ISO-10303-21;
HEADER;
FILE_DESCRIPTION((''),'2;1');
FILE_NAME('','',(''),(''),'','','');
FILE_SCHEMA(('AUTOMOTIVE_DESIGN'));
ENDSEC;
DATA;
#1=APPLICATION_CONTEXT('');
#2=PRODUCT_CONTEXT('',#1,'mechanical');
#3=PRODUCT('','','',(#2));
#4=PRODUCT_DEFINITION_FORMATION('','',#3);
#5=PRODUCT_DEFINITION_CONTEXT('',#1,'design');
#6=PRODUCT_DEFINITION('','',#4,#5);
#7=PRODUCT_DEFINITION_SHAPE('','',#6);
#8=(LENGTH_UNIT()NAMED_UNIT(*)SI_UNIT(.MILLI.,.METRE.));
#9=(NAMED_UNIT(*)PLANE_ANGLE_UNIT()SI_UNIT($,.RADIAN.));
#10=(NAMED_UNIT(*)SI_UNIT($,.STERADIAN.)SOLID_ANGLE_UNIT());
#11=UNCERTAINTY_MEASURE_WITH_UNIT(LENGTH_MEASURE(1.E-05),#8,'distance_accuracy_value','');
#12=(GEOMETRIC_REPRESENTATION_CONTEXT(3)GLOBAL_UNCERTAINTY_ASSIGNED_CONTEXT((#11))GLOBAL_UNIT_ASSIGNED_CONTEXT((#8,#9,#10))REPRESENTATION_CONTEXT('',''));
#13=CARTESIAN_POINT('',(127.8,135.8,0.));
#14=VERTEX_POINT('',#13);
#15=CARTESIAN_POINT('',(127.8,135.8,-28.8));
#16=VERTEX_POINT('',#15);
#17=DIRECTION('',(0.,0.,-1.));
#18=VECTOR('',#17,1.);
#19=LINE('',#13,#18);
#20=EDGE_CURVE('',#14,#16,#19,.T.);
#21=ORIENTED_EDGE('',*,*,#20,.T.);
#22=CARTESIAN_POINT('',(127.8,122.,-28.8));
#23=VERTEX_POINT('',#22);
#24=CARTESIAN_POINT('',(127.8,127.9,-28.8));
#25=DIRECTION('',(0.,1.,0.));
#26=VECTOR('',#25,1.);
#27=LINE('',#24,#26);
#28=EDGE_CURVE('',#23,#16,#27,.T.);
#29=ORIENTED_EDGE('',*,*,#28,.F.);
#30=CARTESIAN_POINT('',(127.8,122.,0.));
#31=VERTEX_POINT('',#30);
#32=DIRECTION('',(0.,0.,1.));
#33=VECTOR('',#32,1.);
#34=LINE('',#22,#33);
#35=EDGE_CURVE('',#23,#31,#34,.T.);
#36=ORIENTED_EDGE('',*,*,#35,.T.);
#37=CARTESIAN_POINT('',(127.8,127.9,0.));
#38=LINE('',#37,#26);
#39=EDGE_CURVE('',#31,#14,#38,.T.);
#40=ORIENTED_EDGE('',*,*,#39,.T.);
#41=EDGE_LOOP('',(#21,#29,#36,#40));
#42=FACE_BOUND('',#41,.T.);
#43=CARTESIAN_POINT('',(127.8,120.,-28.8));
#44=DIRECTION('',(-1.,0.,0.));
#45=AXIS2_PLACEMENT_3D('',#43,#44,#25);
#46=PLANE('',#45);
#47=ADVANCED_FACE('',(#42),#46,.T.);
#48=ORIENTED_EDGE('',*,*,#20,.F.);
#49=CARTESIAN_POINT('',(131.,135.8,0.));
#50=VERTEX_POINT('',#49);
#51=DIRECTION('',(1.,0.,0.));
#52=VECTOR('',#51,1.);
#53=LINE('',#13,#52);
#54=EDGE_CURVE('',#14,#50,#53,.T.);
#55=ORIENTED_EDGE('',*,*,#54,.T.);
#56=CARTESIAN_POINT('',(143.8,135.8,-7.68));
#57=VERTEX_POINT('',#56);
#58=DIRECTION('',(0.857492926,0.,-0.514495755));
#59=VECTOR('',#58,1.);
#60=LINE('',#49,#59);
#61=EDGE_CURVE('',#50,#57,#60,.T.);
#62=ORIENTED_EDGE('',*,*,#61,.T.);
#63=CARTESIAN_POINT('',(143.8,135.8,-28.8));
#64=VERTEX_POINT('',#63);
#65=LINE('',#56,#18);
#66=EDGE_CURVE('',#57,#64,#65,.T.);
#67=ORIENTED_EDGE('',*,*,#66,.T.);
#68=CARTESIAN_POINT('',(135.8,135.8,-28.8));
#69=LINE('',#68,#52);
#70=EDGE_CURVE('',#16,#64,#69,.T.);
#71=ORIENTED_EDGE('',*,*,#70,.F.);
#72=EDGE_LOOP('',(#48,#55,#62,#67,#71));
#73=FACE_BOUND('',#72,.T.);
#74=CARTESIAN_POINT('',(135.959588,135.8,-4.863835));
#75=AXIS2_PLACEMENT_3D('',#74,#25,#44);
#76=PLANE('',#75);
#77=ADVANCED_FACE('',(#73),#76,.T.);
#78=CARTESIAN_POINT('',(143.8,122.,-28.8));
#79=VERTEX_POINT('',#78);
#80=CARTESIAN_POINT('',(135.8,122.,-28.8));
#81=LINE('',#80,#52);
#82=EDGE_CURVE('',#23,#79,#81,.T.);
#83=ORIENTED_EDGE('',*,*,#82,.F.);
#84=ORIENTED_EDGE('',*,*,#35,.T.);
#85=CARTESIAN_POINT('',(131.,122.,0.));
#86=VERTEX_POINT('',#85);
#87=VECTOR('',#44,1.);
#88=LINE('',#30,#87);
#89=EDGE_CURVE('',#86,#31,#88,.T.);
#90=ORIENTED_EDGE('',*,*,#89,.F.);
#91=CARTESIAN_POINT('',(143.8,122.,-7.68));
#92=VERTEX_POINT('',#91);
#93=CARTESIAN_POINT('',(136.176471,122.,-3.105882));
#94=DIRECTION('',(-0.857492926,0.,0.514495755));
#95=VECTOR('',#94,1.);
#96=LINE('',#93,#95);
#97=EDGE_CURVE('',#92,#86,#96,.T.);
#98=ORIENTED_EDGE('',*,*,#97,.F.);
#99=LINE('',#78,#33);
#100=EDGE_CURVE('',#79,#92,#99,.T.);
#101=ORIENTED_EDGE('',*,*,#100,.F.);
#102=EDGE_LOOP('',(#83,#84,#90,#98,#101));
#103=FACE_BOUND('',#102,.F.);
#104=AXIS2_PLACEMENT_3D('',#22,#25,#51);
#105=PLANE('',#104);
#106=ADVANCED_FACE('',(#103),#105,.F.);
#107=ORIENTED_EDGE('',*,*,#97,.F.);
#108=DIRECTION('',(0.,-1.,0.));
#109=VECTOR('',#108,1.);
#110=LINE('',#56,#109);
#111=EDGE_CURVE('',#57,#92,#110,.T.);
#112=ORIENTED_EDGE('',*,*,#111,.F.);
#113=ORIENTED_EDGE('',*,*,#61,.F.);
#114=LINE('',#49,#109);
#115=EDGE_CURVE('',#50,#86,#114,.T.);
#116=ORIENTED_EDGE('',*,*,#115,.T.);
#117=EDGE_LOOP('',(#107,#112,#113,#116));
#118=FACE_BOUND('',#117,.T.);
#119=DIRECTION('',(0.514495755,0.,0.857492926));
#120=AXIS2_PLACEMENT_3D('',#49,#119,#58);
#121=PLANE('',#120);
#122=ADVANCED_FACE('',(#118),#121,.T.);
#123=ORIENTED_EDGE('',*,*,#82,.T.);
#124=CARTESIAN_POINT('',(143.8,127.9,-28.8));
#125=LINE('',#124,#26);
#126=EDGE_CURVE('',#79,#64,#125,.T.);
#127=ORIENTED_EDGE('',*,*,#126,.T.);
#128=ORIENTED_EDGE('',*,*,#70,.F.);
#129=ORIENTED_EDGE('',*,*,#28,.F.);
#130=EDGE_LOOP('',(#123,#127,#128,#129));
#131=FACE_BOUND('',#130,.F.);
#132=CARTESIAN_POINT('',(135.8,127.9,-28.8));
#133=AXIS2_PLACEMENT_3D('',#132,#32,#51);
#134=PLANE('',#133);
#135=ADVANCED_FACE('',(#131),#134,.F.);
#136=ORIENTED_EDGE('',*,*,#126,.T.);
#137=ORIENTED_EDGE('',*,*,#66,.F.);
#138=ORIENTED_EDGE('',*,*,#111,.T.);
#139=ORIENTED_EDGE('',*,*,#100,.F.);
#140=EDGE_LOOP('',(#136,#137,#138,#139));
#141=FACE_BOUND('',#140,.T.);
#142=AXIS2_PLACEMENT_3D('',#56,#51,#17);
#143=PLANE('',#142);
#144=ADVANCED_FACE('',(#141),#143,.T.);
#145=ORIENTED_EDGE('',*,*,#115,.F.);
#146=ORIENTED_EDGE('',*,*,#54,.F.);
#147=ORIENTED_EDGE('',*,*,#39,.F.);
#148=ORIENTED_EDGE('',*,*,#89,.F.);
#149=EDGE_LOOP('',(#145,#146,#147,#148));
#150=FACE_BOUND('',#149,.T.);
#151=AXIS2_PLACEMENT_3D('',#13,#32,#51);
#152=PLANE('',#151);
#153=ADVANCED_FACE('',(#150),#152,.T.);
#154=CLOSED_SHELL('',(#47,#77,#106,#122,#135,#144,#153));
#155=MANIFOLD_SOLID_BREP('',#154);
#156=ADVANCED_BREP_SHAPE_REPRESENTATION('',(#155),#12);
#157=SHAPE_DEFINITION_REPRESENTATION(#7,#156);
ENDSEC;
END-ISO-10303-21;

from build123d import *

# Parameters (mm, degrees)
SKETCH006_W     = 16
SKETCH006_H     = 15.8
PAD005_DEPTH    = 28.8
POCKET001_DEPTH = 16
PAD128_DEPTH    = 15.8
SKETCH185_W     = 16
SKETCH185_H     = 2
POCKET067_DEPTH = 30


with BuildPart() as part:
    # Sketch006 (on Face72 of Binder001) → Pad005 (new body)
    with BuildSketch(Plane.XY.offset(-28.8)):
        with Locations((135.8, 127.9)):
            Rectangle(SKETCH006_W, SKETCH006_H)
    extrude(amount=PAD005_DEPTH)

    # Sketch007 (on Face3 of Pad005) → Pocket001 (cut)
    with BuildSketch(Plane.XZ.offset(-120)):
        Polygon((127.8, 0), (143.8, -9.6), (143.8, 0), align=None)
    extrude(amount=-POCKET001_DEPTH, mode=Mode.SUBTRACT)

    # Sketch128 (on Face1 of Pocket001) → Pad128 (join)
    with BuildSketch(Plane(origin=(0, 135.8, 0), x_dir=(-1, 0, 0), z_dir=(0, 1, 0))):
        Polygon((-127.8, 0), (-131, 0), (-143.8, -7.68), (-143.8, -10.88), (-131, -3.2), (-127.8, -3.2), align=None)
    extrude(amount=-PAD128_DEPTH)

    # Sketch185 (on Face1 of Pad128) → Pocket067 (cut)
    with BuildSketch(Plane(origin=(0, 0, -28.8), x_dir=(1, 0, 0), z_dir=(0, 0, -1))):
        with Locations((135.8, -121)):
            Rectangle(SKETCH185_W, SKETCH185_H)
    extrude(amount=-POCKET067_DEPTH, mode=Mode.SUBTRACT)


solid = part.part
